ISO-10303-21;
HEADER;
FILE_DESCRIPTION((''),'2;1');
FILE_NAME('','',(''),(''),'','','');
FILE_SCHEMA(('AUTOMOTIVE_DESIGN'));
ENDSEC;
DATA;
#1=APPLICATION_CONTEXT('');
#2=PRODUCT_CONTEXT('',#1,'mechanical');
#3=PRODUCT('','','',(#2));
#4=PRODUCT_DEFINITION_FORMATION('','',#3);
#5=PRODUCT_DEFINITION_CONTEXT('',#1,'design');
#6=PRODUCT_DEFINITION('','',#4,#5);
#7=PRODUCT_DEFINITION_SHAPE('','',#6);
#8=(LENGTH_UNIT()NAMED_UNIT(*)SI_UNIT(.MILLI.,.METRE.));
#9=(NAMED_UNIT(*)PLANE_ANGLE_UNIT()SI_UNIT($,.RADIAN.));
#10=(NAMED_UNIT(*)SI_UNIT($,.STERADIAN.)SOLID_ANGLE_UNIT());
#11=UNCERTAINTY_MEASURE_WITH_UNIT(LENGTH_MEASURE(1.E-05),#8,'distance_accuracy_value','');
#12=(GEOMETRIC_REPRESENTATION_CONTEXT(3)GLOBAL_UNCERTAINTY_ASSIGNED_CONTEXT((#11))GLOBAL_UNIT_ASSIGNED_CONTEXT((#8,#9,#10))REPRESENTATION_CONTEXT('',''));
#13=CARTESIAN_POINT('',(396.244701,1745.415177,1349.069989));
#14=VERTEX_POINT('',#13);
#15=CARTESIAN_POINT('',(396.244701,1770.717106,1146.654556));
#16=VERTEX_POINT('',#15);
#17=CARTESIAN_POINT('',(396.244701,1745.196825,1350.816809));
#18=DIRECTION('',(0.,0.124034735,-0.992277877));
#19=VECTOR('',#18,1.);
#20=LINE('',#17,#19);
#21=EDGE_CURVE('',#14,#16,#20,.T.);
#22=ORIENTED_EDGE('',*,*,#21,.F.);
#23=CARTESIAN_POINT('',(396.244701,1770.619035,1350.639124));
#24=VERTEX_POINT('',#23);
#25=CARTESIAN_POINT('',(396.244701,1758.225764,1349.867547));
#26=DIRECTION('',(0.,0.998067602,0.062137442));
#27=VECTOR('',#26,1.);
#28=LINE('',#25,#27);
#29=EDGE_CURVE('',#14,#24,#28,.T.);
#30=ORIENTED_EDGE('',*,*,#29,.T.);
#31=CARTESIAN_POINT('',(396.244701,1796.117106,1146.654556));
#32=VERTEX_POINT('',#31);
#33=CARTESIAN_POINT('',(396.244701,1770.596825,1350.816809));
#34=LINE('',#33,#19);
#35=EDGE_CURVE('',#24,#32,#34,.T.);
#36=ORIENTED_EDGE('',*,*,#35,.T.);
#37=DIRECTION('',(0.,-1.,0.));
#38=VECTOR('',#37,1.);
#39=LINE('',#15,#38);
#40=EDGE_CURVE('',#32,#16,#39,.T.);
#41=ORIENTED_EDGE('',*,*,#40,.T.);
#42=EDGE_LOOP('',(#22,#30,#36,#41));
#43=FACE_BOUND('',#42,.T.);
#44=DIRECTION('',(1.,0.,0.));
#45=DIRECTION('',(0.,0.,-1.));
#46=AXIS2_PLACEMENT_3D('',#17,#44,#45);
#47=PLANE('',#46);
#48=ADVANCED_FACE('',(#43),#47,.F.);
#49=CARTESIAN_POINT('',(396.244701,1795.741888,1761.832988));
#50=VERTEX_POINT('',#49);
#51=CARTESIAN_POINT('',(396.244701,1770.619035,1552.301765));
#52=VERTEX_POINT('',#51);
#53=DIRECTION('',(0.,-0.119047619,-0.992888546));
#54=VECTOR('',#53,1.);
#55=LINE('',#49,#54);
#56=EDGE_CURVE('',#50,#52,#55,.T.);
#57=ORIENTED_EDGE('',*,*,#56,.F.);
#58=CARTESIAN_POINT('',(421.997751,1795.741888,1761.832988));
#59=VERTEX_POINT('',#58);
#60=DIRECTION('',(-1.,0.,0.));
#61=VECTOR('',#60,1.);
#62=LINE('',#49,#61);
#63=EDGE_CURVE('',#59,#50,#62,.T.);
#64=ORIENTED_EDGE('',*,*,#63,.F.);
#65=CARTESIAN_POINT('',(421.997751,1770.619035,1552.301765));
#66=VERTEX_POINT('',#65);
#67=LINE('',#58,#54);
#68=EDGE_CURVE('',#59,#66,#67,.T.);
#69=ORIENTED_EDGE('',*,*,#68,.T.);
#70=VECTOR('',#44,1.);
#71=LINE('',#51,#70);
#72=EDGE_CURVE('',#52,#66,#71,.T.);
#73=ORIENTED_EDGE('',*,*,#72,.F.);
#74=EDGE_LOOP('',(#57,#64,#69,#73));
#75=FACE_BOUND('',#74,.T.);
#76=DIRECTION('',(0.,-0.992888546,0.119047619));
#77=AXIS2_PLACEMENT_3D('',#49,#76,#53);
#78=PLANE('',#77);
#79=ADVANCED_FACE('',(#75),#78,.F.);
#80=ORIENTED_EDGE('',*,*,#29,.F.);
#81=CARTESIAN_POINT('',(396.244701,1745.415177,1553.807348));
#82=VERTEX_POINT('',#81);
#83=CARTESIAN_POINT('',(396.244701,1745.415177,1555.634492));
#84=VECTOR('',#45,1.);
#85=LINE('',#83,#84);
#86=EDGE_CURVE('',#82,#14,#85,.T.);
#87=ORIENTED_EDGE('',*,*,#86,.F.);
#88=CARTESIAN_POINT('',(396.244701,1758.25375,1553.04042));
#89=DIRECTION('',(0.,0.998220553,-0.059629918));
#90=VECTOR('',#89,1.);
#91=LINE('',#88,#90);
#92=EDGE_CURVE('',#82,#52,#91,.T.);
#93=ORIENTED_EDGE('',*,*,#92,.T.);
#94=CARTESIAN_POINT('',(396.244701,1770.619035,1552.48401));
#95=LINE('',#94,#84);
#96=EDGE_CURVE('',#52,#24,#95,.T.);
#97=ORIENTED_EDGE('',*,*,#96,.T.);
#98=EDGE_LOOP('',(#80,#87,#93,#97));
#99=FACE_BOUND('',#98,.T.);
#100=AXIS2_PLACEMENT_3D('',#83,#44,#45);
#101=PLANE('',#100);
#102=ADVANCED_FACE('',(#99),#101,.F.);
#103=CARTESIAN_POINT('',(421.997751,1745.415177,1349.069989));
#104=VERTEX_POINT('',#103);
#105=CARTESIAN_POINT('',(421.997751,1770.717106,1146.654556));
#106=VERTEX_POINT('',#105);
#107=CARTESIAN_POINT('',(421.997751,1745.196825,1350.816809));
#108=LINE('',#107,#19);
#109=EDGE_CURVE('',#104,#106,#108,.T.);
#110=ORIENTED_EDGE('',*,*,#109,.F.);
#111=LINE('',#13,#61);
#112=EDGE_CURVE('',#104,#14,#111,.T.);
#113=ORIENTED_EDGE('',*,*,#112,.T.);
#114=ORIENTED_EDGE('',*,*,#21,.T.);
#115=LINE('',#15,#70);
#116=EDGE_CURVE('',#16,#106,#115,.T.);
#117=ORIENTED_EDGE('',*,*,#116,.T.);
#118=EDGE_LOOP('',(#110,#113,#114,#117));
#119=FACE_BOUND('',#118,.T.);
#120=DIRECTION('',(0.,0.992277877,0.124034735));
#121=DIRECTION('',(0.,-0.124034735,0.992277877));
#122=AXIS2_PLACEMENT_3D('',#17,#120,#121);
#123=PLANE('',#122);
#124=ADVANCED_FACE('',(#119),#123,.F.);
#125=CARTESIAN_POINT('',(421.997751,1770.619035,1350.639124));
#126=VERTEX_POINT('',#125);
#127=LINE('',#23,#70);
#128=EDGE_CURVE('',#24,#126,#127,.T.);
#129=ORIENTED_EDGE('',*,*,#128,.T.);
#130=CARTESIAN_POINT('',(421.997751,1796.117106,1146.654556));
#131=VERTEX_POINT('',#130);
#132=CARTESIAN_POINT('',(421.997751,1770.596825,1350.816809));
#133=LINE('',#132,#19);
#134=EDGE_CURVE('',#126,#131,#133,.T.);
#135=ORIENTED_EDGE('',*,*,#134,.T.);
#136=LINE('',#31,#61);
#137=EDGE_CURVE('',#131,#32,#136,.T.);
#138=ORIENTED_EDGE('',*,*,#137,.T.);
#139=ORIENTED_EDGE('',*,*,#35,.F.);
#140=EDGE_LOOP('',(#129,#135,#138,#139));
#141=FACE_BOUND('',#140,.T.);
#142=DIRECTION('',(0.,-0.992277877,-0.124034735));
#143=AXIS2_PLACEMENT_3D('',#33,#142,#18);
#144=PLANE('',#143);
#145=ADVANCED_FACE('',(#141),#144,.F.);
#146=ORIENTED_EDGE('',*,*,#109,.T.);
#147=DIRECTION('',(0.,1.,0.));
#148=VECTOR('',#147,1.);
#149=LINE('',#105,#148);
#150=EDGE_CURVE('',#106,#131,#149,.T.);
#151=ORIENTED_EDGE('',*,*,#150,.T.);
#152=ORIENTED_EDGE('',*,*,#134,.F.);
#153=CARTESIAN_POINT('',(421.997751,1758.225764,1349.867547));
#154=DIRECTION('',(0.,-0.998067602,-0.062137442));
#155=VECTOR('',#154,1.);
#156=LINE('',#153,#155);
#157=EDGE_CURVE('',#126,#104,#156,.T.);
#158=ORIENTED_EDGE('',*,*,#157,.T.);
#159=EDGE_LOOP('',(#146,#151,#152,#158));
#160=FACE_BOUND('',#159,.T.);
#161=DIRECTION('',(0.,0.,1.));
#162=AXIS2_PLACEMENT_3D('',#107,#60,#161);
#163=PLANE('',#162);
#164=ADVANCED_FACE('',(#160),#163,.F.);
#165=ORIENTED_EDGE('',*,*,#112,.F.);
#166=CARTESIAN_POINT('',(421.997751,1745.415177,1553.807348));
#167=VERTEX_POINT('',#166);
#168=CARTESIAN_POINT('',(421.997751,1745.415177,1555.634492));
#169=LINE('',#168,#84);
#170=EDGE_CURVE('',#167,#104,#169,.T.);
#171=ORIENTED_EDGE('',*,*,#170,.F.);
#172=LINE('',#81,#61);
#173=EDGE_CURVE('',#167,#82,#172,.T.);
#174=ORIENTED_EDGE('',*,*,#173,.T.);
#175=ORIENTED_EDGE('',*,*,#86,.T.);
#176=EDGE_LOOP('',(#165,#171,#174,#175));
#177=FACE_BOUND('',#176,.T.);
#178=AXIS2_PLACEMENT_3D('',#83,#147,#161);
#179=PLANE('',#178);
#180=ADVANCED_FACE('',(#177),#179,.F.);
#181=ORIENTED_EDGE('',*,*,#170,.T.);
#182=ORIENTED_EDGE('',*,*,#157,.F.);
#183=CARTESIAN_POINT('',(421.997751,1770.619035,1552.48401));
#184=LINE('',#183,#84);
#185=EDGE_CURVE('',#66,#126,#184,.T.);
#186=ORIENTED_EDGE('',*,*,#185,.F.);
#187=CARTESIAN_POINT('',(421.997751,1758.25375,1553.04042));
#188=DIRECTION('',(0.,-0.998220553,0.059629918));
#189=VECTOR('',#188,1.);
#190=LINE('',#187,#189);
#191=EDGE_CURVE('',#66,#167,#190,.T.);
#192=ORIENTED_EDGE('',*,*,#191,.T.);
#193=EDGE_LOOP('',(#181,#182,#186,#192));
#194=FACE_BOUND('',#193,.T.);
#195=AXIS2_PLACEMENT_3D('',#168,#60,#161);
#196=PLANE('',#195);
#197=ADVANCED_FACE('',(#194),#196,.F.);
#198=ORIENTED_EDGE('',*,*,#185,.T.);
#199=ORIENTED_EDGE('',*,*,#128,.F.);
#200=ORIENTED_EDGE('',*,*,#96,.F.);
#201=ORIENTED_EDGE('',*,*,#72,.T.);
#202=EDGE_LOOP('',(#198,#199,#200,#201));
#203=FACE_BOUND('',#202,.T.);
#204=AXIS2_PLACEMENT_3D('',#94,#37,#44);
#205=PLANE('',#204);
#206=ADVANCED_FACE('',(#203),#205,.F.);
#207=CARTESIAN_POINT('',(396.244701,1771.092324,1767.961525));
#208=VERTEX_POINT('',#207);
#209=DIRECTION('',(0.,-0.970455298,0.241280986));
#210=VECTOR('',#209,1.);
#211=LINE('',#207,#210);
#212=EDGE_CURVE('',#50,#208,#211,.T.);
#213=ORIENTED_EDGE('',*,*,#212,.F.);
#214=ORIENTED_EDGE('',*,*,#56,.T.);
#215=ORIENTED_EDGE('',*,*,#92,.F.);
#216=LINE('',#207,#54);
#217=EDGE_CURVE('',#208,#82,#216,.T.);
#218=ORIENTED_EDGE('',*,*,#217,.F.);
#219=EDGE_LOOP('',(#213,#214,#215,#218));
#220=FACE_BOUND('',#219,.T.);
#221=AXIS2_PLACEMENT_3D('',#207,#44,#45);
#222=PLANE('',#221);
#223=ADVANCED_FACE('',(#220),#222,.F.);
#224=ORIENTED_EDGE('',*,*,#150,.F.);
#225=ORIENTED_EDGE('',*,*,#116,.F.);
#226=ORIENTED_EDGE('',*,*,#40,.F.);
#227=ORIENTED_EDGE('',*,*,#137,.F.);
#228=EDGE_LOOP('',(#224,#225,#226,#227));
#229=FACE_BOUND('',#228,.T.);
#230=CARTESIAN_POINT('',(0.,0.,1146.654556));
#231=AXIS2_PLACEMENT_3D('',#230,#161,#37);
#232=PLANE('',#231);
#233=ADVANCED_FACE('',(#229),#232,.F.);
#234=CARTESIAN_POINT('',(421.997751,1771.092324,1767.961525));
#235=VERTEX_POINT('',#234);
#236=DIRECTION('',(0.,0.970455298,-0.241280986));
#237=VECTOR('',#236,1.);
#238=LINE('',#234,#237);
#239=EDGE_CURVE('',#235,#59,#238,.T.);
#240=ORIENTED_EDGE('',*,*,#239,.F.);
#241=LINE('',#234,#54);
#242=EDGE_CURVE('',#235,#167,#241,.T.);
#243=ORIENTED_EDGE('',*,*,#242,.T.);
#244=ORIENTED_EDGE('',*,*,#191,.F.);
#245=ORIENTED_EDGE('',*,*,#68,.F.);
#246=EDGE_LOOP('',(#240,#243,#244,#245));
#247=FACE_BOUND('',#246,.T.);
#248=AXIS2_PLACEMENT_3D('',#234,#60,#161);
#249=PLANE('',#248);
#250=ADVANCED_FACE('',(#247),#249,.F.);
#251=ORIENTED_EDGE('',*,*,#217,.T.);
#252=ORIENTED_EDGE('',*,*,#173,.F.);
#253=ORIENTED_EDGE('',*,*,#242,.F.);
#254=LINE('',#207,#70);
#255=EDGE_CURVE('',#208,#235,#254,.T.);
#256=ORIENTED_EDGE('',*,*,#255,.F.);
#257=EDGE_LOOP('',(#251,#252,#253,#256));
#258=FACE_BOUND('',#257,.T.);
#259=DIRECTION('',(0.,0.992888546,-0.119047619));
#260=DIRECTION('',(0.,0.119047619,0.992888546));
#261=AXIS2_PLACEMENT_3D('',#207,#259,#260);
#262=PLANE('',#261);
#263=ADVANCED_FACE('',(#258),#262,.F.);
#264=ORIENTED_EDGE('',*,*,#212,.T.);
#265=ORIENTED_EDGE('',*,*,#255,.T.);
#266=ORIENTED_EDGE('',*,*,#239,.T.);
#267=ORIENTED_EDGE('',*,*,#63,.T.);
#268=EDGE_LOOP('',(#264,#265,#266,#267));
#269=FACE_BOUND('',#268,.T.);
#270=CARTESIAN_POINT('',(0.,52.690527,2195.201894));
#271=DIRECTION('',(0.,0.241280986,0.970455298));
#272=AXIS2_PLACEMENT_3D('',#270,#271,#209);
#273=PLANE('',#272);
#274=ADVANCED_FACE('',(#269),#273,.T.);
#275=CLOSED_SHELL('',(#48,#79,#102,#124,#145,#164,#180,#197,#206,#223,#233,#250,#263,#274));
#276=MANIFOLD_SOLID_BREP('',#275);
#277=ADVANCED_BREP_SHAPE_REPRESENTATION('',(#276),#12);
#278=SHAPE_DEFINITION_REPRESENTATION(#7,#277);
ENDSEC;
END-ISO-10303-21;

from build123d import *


with BuildPart() as part:
    # Sweep1: sweep along a curve in space
    with BuildLine() as sweep1_path:
        Line((409.121226164, 1758.017106037, 1349.85455637), (409.121226164, 1783.417106037, 1146.65455637))
        Line((409.121226164, 1758.017106037, 1349.85455637), (409.121226164, 1758.017106037, 1553.05455637))
        Line((409.121226164, 1758.017106037, 1553.05455637), (409.121226164, 1783.417106037, 1764.897256503))
    # 3DSketch2 → Sweep1 (sweep)
    with BuildSketch(Plane(origin=(396.244700962, 1770.717106037, 1146.65455637), x_dir=(0.7119701649816974, 0.7022097152389267, -7.366387974552788e-14), z_dir=(0, 0, -1))):
        Polygon((0, 0), (18.335403545, 18.084042191), (36.171530312, 0), (17.836126767, -18.084042191), align=None)
    sweep(path=sweep1_path.line, transition=Transition.RIGHT)


solid = part.part
